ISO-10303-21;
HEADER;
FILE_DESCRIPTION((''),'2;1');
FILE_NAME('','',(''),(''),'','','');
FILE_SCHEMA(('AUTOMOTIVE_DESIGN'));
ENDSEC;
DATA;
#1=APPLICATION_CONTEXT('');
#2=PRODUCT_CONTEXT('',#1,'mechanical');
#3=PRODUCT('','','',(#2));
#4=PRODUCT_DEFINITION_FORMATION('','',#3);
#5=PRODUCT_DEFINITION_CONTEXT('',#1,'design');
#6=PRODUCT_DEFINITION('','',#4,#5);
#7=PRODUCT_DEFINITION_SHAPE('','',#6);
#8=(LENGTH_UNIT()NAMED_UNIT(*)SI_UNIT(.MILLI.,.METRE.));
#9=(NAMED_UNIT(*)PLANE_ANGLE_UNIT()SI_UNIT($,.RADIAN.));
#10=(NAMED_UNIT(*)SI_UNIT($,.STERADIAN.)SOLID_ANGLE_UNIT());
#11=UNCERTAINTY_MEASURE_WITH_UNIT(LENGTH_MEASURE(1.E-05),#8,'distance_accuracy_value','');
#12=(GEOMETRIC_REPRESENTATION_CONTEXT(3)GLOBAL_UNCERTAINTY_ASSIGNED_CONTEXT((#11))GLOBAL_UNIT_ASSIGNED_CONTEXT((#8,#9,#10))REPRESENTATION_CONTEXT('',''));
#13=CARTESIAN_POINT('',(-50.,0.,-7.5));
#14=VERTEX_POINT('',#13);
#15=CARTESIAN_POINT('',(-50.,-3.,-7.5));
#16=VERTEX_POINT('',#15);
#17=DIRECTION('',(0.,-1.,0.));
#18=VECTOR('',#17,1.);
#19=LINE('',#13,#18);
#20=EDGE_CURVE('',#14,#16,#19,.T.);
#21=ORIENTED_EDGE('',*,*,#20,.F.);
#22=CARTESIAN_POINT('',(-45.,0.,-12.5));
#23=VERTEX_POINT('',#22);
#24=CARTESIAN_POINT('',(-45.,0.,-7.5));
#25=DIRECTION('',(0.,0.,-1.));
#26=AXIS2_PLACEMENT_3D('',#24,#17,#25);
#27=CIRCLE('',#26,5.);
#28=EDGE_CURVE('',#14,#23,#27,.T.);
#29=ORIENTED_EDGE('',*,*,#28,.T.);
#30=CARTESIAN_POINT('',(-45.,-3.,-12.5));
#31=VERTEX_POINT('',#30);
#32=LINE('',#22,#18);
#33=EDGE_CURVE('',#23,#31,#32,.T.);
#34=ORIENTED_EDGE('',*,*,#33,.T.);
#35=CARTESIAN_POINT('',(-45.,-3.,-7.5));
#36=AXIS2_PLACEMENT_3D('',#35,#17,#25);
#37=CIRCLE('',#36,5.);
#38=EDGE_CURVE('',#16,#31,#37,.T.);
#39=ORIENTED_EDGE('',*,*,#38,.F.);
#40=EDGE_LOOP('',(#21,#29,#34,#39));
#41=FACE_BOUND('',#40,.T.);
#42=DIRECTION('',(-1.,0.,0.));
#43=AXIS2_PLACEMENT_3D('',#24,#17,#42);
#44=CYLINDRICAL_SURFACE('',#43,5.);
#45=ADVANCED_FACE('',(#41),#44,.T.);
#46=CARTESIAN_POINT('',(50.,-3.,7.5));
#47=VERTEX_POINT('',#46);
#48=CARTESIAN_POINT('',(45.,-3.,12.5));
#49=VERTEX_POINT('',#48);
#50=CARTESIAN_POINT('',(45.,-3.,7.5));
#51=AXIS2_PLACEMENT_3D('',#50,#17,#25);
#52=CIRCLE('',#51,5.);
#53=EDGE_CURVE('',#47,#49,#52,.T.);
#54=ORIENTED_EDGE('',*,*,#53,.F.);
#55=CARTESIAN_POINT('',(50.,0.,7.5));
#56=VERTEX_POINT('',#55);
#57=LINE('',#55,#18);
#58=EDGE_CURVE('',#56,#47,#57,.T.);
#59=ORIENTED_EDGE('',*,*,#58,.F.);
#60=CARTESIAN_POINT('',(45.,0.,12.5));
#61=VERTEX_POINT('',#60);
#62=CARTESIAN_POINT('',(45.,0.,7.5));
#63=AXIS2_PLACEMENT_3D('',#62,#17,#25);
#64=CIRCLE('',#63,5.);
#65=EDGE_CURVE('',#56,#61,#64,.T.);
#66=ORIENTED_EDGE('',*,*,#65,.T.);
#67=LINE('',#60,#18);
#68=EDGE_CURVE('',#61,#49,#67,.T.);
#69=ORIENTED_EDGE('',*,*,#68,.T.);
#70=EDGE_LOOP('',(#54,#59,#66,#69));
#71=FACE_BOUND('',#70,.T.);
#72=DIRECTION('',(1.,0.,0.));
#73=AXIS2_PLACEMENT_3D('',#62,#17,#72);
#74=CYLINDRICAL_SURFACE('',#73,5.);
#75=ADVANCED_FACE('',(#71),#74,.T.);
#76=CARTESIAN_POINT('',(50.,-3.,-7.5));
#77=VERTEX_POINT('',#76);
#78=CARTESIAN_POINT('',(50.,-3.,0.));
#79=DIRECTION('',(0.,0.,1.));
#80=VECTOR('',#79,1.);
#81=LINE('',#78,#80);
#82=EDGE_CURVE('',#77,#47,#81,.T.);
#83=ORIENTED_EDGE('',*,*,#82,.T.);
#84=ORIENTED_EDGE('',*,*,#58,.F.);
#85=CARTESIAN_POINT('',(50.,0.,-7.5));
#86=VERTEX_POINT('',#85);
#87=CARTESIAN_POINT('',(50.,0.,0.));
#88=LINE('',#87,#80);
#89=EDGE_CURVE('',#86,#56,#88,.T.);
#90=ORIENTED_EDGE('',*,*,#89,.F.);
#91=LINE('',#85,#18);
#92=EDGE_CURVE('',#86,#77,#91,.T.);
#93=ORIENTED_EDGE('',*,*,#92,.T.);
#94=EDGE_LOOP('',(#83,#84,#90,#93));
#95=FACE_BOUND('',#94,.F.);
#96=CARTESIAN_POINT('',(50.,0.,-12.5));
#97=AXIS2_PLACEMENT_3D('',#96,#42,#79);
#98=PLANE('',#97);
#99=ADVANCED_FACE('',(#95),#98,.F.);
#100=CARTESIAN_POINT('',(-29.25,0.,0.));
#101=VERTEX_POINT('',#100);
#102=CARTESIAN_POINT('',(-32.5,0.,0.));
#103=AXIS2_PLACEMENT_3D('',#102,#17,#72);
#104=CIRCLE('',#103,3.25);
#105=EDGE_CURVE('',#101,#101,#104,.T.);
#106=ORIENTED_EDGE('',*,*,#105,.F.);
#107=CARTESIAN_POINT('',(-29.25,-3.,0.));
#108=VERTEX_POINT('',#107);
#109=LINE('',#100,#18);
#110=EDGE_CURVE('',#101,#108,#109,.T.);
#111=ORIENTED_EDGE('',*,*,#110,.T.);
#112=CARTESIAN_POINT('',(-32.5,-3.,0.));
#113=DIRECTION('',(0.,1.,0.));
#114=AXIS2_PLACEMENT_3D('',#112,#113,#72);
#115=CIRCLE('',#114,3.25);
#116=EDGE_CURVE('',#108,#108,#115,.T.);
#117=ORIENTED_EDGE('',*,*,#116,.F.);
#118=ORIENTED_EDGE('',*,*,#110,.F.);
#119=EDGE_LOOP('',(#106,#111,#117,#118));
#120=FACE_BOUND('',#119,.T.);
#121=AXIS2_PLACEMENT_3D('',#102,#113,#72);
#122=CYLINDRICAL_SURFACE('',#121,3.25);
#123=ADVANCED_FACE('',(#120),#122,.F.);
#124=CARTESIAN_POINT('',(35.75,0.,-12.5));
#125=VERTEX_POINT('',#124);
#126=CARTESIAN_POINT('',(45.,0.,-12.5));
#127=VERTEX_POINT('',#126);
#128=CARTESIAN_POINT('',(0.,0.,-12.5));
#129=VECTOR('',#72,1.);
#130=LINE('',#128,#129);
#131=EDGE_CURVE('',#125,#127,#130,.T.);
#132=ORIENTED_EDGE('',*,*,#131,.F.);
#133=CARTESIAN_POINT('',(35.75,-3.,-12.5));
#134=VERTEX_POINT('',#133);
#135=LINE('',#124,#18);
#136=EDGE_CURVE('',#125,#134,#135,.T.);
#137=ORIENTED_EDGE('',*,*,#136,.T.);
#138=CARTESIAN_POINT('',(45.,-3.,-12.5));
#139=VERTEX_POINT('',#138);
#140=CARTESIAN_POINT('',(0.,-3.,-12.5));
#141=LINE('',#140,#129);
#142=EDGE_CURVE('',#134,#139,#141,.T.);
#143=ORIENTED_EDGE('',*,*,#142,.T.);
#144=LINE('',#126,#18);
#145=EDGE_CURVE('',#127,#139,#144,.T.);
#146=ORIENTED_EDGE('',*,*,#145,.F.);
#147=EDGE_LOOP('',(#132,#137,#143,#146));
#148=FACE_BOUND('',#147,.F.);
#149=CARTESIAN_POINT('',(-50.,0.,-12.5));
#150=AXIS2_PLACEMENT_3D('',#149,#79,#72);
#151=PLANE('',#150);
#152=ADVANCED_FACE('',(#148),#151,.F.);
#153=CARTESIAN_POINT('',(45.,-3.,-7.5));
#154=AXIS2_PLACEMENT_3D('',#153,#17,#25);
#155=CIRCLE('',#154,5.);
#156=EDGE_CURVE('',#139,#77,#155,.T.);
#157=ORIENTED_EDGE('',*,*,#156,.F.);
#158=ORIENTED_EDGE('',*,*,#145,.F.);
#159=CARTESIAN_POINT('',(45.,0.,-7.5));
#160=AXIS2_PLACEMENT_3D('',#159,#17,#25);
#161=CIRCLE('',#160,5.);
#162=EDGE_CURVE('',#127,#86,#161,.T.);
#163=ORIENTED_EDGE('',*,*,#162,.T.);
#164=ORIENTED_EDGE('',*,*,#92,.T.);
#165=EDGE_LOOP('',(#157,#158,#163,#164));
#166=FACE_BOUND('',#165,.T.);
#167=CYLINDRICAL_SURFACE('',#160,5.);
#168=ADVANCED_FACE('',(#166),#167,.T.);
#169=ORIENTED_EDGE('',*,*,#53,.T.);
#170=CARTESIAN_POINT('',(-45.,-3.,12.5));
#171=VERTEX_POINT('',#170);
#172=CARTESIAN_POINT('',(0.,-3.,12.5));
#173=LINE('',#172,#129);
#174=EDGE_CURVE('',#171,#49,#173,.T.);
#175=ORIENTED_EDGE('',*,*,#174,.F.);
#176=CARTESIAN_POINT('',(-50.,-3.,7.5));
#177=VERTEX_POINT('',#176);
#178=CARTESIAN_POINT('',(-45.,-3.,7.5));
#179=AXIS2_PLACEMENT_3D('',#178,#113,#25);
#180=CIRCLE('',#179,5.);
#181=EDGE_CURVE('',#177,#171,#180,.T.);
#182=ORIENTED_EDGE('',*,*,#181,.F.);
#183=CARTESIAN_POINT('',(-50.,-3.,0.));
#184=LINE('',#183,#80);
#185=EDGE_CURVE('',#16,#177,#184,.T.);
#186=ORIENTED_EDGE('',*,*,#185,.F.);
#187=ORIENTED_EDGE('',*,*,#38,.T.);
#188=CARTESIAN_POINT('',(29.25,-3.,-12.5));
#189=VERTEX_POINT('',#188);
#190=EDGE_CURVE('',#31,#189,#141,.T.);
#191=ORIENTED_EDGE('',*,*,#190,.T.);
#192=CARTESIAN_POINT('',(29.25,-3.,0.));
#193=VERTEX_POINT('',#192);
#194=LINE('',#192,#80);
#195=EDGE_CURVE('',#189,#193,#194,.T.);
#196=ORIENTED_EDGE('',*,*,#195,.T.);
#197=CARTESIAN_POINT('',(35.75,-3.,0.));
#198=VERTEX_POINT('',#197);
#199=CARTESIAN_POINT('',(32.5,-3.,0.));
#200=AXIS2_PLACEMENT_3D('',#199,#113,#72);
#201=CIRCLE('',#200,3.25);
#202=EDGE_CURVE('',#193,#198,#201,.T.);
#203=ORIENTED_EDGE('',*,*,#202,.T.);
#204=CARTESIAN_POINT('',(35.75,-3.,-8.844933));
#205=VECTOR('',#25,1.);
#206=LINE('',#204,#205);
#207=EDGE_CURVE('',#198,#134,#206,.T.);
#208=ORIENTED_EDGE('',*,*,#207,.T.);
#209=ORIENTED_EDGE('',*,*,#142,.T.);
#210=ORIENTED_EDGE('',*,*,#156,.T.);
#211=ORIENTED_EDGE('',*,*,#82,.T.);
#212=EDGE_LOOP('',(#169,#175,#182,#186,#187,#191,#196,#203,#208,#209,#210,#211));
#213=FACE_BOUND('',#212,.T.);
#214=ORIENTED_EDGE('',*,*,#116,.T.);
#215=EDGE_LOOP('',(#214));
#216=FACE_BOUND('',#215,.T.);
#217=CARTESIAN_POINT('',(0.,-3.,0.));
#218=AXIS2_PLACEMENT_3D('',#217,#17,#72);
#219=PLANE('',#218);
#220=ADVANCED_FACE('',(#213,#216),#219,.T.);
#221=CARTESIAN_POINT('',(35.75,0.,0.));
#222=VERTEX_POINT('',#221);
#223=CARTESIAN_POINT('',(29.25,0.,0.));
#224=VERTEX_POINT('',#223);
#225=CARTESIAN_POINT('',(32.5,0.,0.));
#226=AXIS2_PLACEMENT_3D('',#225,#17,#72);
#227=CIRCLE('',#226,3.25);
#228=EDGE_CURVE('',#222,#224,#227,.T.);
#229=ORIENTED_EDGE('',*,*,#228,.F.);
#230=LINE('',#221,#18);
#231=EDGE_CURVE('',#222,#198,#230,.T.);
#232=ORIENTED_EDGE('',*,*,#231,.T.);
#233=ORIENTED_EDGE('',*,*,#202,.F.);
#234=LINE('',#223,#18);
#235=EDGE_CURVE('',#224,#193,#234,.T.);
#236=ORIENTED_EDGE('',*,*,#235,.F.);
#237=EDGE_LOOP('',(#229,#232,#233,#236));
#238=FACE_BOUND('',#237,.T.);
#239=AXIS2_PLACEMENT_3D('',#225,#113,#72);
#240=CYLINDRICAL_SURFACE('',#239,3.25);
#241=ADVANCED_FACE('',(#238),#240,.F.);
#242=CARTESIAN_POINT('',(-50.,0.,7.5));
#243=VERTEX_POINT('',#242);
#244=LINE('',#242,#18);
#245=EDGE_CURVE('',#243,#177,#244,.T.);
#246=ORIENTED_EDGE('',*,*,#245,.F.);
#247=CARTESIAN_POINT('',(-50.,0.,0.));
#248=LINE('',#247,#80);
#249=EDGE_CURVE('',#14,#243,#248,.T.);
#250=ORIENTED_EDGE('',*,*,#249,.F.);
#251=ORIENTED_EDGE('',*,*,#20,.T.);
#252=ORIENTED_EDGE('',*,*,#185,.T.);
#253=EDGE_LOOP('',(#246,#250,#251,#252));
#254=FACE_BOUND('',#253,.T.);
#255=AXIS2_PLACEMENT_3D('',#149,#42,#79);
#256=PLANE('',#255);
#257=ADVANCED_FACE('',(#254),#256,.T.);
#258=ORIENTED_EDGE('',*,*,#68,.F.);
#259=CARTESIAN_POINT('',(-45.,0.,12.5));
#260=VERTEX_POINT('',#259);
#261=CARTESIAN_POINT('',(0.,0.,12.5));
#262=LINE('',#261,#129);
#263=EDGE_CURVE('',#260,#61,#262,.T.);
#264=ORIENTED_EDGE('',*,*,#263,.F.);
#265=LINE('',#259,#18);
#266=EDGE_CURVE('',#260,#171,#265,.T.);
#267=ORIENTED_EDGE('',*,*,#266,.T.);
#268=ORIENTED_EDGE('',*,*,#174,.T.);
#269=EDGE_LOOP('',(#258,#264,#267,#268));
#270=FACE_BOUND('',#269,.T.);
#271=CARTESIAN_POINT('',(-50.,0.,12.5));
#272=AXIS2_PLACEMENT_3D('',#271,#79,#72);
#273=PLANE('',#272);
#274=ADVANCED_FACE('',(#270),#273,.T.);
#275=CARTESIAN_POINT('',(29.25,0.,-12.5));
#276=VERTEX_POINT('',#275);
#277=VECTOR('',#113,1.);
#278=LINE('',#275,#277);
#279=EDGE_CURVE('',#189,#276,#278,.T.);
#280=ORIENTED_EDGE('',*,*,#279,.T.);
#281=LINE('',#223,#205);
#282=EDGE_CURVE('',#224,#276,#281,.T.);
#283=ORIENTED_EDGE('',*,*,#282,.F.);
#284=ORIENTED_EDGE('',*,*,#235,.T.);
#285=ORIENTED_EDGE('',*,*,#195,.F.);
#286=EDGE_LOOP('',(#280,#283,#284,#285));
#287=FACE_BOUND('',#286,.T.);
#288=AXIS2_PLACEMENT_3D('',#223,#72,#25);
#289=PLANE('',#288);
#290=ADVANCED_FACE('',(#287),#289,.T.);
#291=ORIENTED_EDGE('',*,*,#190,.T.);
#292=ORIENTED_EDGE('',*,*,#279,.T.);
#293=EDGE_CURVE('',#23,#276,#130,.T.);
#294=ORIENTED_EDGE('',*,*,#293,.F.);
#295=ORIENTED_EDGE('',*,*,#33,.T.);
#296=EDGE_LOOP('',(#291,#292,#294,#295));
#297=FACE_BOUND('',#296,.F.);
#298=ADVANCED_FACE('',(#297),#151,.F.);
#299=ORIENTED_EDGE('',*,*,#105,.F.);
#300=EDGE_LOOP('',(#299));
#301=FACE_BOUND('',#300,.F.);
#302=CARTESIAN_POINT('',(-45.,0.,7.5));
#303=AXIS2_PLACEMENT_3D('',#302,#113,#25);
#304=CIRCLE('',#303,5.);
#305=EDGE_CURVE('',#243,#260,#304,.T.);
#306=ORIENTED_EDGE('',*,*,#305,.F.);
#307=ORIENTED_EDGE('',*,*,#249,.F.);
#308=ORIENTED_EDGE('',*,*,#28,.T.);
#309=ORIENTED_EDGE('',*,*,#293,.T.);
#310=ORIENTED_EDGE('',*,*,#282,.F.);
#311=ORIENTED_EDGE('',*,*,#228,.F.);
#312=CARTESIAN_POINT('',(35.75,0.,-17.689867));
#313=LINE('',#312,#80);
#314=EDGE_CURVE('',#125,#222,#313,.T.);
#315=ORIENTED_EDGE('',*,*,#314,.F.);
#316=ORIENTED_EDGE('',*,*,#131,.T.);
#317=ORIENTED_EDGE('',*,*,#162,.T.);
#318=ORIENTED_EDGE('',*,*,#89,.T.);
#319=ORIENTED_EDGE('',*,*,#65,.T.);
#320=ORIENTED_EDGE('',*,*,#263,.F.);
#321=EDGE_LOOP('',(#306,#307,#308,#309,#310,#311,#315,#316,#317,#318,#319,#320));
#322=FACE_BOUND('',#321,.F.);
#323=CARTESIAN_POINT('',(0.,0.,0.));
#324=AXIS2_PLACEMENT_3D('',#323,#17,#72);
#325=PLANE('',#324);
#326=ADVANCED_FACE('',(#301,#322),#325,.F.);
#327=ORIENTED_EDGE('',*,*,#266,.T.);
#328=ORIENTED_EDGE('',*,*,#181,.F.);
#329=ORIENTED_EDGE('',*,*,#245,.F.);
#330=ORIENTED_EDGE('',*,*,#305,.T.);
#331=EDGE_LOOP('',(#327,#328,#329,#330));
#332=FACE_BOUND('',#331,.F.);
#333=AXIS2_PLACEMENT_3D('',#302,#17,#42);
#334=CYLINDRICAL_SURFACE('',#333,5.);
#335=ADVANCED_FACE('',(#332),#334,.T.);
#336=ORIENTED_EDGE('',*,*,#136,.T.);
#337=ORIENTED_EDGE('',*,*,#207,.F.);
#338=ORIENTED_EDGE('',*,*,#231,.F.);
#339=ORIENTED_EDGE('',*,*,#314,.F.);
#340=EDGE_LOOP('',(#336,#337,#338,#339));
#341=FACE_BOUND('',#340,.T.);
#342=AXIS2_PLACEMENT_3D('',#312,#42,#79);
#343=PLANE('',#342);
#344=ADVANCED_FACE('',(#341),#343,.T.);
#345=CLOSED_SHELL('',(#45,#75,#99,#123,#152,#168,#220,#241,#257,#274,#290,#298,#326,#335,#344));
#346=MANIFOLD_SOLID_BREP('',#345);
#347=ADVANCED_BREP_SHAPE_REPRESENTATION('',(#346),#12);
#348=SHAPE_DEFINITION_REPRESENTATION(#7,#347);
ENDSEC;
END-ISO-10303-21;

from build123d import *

# Parameters (mm, degrees)
F0_W     = 100
F0_H     = 25
F1_DEPTH = 3
F2_R     = 5
F3_R     = 3.25
F4_DEPTH = 25


with BuildPart() as f1:
    # F0 (on Front) → F1 (new body)
    with BuildSketch(Plane.XZ):
        Rectangle(F0_W, F0_H)
    extrude(amount=F1_DEPTH)

    # F2
    f2_edges = [f1.edges().sort_by_distance(p)[0] for p in [
        (50, -1.5, 12.5),
        (50, -1.5, -12.5),
        (-50, -1.5, -12.5),
        (-50, -1.5, 12.5),
    ]]
    fillet(f2_edges, radius=F2_R)

    # F3 (on Front) → F4 (cut)
    with BuildSketch(Plane.XZ):
        with BuildLine():
            Line((35.75, -17.689867), (35.75, 0))
            ThreePointArc((35.75, 0), (32.5, 3.25), (29.25, 0))
            Line((29.25, 0), (29.25, -17.689867))
            Line((29.25, -17.689867), (35.75, -17.689867))
        make_face()
        with Locations((-32.5, 0)):
            Circle(F3_R)
    extrude(amount=F4_DEPTH, mode=Mode.SUBTRACT)


solid = f1.part
